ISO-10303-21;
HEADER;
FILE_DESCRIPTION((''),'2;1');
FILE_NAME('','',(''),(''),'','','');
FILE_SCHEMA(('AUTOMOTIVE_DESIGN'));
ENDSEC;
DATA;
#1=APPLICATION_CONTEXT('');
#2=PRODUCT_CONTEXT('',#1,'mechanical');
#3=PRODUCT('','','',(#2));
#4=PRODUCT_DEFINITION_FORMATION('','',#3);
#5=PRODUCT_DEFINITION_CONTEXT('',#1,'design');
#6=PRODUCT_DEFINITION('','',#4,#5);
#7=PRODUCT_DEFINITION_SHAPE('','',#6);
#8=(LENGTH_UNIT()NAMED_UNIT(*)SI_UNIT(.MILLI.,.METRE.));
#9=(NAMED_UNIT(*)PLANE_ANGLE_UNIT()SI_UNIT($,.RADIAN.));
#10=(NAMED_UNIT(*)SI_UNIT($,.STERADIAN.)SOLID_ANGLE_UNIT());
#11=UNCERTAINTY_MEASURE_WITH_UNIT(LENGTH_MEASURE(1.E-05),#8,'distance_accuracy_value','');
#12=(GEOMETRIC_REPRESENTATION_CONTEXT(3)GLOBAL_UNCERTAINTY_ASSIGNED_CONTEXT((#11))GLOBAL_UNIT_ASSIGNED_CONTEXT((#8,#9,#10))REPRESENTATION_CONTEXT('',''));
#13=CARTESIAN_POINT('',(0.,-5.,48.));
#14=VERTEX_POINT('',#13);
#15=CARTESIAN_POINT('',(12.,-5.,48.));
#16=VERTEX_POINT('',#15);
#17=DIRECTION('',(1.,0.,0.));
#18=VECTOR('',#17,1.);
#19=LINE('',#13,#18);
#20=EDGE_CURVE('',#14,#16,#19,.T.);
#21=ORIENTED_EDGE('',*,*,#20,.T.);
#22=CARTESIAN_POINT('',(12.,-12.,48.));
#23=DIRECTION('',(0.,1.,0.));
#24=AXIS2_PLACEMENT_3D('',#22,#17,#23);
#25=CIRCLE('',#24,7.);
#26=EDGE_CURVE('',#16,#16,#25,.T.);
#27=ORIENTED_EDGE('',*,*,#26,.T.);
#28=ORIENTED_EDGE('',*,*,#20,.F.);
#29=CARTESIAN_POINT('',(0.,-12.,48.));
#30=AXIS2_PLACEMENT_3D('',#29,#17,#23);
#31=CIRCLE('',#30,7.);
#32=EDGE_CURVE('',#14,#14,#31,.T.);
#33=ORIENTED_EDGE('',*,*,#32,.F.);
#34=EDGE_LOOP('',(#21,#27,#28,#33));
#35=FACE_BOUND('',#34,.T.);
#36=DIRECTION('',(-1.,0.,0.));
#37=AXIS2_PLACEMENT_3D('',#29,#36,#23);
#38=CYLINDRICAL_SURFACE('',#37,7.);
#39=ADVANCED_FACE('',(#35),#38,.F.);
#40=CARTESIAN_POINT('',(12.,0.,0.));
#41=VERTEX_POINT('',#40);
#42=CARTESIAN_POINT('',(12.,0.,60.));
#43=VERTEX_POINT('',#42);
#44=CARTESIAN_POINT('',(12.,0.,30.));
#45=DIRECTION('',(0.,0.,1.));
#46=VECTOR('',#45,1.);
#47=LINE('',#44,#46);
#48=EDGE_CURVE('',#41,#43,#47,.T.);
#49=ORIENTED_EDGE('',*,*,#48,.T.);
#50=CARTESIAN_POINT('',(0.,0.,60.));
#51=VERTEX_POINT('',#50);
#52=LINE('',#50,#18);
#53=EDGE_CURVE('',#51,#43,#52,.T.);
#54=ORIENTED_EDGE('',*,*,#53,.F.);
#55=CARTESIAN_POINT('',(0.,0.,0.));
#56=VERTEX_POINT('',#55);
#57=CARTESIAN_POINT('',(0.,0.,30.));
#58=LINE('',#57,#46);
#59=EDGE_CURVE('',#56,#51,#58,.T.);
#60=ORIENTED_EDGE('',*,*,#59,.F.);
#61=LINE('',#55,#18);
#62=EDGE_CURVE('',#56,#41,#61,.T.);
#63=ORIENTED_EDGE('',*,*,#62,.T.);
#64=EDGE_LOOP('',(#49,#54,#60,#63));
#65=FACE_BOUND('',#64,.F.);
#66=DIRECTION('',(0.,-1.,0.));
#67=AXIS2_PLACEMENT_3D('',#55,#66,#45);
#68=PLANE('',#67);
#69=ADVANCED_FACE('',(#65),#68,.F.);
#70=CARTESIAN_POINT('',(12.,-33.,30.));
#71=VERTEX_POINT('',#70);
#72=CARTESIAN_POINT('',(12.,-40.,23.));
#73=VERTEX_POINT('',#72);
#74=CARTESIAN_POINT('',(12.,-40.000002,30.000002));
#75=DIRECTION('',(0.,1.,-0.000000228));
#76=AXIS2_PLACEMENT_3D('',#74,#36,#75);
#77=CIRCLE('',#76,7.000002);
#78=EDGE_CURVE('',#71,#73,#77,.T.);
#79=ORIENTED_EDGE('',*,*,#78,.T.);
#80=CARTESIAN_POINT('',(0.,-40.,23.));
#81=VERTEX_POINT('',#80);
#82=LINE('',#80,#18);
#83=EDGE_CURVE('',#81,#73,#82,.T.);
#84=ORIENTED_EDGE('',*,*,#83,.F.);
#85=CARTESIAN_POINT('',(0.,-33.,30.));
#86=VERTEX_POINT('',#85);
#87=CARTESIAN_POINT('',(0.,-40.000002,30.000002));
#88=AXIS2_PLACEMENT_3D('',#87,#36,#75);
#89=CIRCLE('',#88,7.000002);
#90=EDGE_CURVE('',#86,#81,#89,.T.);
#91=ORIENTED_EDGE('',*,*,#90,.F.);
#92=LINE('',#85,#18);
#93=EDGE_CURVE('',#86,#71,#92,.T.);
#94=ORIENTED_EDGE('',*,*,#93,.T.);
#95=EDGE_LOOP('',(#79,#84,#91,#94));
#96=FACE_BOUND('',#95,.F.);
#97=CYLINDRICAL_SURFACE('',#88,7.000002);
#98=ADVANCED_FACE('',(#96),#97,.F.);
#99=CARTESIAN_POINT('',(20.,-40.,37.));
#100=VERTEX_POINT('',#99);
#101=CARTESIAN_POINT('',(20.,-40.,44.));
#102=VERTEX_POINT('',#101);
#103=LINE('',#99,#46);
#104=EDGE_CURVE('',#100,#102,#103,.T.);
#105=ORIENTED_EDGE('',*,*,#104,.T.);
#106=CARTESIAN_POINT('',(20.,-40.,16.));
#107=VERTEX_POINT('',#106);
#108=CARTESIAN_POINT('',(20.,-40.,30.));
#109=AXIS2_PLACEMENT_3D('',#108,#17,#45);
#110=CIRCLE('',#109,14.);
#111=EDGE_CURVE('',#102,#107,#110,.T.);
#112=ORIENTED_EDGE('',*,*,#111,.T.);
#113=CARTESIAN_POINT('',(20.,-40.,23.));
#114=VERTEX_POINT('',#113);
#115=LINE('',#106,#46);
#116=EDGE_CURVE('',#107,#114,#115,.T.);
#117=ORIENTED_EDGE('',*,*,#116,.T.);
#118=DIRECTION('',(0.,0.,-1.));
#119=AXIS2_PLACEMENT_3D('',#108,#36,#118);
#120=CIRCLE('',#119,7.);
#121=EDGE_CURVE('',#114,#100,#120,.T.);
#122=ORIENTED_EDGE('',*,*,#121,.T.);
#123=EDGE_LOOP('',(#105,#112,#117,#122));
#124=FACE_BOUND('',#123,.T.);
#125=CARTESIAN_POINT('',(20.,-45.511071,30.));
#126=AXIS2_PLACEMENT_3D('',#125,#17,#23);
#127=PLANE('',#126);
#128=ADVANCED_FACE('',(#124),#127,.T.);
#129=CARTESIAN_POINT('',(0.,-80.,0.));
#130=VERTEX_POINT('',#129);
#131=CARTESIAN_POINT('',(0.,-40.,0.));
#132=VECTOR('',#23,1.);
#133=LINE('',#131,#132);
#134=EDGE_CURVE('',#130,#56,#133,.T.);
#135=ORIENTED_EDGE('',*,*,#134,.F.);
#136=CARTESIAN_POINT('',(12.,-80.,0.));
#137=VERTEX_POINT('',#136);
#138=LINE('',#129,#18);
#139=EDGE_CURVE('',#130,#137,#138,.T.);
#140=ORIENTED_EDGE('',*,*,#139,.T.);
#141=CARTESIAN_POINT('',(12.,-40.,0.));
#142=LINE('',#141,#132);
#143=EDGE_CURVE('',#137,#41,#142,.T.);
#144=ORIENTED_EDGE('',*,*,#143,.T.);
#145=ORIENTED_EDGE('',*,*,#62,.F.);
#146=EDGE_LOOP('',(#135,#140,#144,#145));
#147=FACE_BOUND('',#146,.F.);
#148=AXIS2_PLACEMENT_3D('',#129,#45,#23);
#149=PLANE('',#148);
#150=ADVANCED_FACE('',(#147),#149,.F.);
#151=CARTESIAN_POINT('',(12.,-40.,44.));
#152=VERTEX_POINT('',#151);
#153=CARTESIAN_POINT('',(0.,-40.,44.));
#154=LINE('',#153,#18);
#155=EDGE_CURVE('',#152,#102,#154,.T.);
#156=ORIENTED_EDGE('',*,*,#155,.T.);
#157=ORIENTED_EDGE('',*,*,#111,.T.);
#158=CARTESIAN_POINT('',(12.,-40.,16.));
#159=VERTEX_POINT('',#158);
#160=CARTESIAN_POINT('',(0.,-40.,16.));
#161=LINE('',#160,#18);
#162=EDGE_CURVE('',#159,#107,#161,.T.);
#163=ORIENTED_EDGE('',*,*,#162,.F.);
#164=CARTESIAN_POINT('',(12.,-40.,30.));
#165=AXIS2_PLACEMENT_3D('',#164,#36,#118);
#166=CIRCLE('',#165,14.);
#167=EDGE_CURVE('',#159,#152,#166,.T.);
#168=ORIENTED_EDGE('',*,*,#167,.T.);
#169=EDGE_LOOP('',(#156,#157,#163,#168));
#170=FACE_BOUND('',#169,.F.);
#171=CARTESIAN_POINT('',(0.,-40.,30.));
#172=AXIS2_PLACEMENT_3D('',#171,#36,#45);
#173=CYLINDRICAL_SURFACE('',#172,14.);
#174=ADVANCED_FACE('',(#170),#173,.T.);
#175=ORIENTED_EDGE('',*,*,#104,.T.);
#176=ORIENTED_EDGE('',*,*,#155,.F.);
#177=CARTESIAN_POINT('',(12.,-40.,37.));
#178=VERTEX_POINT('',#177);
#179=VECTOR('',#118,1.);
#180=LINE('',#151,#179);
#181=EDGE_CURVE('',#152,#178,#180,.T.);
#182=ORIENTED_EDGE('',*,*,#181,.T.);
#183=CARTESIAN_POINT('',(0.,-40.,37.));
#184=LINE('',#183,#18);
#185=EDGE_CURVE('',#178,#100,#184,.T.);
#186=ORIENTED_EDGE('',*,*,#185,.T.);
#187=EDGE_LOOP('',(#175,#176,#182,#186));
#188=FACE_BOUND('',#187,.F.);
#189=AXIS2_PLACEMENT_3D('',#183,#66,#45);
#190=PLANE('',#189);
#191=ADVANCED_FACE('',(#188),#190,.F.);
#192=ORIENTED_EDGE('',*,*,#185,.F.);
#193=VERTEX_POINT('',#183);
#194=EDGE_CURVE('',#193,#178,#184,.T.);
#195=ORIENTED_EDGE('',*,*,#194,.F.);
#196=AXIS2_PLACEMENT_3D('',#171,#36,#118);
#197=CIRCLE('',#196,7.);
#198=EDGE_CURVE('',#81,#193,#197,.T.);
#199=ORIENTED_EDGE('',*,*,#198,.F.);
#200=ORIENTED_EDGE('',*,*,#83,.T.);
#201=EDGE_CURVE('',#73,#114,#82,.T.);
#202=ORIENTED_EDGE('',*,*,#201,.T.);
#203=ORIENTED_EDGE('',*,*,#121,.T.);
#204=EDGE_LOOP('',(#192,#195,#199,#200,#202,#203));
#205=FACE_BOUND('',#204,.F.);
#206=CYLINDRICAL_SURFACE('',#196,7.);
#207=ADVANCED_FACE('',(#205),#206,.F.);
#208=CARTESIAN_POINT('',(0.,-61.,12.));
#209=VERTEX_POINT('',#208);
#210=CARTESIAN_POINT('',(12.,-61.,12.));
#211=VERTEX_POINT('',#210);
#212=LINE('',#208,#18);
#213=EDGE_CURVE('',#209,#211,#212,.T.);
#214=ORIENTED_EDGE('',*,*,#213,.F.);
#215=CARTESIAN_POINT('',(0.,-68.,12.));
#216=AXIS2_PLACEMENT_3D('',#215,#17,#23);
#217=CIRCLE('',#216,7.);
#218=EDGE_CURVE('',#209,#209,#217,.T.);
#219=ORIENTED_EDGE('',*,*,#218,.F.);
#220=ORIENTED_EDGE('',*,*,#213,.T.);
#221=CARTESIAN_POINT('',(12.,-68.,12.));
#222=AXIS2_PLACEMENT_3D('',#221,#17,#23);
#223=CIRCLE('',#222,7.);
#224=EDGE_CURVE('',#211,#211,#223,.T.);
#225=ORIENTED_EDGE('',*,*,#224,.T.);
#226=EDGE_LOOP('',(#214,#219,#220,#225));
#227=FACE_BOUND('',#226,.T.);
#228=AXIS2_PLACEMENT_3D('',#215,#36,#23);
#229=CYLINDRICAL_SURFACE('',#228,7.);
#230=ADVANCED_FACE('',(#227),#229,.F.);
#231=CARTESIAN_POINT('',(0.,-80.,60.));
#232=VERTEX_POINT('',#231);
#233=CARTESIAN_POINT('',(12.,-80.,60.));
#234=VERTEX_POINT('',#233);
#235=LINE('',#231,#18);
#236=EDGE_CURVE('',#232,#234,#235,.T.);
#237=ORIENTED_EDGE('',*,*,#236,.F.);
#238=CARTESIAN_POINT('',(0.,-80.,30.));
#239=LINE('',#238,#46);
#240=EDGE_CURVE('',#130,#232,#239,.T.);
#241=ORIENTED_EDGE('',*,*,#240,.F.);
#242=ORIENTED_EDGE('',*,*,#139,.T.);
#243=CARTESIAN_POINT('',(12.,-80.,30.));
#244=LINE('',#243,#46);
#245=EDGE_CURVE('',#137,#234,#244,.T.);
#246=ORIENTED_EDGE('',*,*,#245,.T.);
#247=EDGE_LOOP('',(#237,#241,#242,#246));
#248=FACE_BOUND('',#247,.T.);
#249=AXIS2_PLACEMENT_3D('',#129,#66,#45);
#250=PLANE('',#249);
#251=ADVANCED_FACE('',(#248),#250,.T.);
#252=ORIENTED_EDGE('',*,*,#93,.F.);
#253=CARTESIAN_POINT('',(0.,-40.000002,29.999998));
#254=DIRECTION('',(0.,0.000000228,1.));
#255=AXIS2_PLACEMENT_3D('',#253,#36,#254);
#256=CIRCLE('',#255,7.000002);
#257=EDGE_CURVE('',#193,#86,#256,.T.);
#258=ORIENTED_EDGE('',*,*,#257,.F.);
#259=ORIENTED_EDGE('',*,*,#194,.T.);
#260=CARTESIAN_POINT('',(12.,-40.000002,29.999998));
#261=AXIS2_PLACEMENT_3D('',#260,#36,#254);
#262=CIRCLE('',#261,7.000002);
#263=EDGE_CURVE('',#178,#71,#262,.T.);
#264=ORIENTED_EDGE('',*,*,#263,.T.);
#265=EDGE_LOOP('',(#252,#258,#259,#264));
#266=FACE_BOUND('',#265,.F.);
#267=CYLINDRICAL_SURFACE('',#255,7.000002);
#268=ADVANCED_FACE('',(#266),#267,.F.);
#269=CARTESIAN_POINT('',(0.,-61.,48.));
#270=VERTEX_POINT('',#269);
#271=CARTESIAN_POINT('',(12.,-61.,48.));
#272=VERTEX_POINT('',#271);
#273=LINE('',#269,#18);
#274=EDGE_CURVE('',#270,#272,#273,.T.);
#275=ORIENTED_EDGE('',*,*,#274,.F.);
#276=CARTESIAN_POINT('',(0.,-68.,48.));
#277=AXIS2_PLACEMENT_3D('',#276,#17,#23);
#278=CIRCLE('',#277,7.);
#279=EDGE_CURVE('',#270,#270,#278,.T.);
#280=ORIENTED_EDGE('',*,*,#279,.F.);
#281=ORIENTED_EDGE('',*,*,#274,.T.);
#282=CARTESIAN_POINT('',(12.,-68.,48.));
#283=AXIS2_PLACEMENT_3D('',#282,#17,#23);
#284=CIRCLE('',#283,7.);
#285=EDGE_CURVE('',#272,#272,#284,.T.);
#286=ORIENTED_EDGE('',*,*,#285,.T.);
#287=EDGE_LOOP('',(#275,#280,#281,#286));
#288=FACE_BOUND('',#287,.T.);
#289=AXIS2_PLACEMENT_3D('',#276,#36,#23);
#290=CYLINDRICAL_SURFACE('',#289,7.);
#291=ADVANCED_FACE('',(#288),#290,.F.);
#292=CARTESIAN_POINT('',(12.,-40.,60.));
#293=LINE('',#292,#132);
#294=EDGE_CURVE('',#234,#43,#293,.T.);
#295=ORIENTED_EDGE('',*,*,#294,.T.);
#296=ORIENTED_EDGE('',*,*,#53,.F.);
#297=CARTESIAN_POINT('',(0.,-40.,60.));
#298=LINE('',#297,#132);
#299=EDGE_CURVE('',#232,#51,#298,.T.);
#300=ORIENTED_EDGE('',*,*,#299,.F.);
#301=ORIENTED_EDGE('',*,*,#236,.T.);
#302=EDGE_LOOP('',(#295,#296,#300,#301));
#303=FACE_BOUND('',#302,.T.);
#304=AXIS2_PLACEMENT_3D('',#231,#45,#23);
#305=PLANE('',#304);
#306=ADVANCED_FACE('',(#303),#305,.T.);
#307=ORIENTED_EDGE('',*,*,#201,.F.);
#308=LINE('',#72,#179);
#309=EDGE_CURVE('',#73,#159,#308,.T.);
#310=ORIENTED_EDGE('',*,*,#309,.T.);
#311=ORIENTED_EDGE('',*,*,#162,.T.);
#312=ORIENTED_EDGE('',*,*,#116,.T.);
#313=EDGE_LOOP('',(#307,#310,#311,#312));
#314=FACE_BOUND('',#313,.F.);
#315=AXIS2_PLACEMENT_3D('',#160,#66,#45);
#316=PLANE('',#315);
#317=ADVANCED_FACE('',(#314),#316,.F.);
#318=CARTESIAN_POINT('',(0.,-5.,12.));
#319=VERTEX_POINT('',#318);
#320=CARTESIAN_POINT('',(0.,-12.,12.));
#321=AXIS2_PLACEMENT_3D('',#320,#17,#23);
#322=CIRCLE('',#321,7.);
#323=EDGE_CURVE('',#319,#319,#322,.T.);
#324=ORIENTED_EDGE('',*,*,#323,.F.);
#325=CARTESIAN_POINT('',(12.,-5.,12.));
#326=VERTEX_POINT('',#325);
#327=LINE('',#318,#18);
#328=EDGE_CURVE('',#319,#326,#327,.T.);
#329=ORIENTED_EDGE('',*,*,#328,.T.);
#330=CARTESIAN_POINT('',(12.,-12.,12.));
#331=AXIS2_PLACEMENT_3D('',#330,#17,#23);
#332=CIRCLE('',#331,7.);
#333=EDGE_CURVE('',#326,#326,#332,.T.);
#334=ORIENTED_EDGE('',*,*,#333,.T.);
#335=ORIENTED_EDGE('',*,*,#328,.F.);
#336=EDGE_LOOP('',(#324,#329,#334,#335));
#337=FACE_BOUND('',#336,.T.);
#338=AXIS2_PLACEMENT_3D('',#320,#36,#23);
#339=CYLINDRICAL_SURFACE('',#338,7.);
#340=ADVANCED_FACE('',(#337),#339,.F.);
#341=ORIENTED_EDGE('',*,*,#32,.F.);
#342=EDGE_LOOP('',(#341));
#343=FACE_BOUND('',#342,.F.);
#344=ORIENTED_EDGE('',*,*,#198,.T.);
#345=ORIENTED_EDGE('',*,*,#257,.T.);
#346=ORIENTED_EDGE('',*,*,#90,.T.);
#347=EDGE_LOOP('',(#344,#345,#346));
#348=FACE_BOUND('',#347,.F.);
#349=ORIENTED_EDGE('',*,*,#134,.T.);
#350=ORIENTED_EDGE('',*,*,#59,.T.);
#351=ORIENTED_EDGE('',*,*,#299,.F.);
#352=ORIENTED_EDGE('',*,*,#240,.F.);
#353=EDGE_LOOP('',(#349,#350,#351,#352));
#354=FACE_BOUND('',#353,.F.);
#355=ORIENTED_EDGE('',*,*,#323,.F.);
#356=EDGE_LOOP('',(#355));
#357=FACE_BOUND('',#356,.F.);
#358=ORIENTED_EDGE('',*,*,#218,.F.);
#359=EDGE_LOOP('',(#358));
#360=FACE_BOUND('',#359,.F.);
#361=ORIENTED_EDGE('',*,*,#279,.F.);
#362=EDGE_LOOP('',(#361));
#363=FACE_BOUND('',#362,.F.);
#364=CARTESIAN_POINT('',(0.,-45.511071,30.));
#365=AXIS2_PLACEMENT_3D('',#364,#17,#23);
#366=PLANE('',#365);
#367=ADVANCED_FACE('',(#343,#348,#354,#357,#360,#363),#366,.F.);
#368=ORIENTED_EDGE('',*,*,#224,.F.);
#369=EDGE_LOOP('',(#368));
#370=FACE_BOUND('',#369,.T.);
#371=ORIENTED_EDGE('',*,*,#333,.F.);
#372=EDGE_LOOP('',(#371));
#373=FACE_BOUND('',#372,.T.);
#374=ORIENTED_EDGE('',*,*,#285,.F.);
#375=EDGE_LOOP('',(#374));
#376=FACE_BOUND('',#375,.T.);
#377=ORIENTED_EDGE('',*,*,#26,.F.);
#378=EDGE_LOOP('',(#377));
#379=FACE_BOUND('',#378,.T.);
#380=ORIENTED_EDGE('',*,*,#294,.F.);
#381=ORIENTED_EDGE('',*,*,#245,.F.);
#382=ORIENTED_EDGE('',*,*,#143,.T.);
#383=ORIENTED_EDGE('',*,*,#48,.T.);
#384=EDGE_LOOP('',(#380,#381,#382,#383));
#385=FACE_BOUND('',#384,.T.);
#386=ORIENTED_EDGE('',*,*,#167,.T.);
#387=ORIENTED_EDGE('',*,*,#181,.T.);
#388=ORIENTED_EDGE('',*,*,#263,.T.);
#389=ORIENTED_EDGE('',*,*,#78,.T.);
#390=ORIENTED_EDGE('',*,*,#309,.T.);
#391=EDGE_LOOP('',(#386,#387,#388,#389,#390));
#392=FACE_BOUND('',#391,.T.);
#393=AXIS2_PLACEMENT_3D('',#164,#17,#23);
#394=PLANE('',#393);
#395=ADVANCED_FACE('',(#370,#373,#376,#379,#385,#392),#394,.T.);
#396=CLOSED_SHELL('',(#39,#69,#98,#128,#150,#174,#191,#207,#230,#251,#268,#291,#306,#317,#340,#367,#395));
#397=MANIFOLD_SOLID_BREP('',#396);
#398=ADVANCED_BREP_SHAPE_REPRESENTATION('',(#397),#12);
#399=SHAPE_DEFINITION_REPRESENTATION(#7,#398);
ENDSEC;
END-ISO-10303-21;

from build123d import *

# Parameters (mm, degrees)
F0_W     = 80
F0_H     = 60
F0_R     = 7
F1_DEPTH = 12
F2_DEPTH = 20


with BuildPart() as f1:
    # F0 (on Right) → F1 (new body)
    with BuildSketch(Plane.YZ):
        with Locations((-40, 30)):
            Rectangle(F0_W, F0_H)
        with Locations((-68, 12)):
            Circle(F0_R, mode=Mode.SUBTRACT)
        with Locations((-12, 12)):
            Circle(F0_R, mode=Mode.SUBTRACT)
        with BuildLine():
            ThreePointArc((-40, 37), (-35.050253, 34.949747), (-33, 30))
            ThreePointArc((-33, 30), (-35.050253, 25.050253), (-40, 23))
            Line((-40, 23), (-40, 16))
            ThreePointArc((-40, 16), (-54, 30), (-40, 44))
            Line((-40, 44), (-40, 37))
        make_face(mode=Mode.SUBTRACT)
        with Locations((-68, 48)):
            Circle(F0_R, mode=Mode.SUBTRACT)
        with Locations((-12, 48)):
            Circle(F0_R, mode=Mode.SUBTRACT)
    extrude(amount=F1_DEPTH)

    # F0 (on Right) → F2 (join)
    with BuildSketch(Plane.YZ):
        with BuildLine():
            ThreePointArc((-40, 23), (-47, 30), (-40, 37))
            Line((-40, 37), (-40, 44))
            ThreePointArc((-40, 44), (-54, 30), (-40, 16))
            Line((-40, 16), (-40, 23))
        make_face()
    extrude(amount=F2_DEPTH)


solid = f1.part
